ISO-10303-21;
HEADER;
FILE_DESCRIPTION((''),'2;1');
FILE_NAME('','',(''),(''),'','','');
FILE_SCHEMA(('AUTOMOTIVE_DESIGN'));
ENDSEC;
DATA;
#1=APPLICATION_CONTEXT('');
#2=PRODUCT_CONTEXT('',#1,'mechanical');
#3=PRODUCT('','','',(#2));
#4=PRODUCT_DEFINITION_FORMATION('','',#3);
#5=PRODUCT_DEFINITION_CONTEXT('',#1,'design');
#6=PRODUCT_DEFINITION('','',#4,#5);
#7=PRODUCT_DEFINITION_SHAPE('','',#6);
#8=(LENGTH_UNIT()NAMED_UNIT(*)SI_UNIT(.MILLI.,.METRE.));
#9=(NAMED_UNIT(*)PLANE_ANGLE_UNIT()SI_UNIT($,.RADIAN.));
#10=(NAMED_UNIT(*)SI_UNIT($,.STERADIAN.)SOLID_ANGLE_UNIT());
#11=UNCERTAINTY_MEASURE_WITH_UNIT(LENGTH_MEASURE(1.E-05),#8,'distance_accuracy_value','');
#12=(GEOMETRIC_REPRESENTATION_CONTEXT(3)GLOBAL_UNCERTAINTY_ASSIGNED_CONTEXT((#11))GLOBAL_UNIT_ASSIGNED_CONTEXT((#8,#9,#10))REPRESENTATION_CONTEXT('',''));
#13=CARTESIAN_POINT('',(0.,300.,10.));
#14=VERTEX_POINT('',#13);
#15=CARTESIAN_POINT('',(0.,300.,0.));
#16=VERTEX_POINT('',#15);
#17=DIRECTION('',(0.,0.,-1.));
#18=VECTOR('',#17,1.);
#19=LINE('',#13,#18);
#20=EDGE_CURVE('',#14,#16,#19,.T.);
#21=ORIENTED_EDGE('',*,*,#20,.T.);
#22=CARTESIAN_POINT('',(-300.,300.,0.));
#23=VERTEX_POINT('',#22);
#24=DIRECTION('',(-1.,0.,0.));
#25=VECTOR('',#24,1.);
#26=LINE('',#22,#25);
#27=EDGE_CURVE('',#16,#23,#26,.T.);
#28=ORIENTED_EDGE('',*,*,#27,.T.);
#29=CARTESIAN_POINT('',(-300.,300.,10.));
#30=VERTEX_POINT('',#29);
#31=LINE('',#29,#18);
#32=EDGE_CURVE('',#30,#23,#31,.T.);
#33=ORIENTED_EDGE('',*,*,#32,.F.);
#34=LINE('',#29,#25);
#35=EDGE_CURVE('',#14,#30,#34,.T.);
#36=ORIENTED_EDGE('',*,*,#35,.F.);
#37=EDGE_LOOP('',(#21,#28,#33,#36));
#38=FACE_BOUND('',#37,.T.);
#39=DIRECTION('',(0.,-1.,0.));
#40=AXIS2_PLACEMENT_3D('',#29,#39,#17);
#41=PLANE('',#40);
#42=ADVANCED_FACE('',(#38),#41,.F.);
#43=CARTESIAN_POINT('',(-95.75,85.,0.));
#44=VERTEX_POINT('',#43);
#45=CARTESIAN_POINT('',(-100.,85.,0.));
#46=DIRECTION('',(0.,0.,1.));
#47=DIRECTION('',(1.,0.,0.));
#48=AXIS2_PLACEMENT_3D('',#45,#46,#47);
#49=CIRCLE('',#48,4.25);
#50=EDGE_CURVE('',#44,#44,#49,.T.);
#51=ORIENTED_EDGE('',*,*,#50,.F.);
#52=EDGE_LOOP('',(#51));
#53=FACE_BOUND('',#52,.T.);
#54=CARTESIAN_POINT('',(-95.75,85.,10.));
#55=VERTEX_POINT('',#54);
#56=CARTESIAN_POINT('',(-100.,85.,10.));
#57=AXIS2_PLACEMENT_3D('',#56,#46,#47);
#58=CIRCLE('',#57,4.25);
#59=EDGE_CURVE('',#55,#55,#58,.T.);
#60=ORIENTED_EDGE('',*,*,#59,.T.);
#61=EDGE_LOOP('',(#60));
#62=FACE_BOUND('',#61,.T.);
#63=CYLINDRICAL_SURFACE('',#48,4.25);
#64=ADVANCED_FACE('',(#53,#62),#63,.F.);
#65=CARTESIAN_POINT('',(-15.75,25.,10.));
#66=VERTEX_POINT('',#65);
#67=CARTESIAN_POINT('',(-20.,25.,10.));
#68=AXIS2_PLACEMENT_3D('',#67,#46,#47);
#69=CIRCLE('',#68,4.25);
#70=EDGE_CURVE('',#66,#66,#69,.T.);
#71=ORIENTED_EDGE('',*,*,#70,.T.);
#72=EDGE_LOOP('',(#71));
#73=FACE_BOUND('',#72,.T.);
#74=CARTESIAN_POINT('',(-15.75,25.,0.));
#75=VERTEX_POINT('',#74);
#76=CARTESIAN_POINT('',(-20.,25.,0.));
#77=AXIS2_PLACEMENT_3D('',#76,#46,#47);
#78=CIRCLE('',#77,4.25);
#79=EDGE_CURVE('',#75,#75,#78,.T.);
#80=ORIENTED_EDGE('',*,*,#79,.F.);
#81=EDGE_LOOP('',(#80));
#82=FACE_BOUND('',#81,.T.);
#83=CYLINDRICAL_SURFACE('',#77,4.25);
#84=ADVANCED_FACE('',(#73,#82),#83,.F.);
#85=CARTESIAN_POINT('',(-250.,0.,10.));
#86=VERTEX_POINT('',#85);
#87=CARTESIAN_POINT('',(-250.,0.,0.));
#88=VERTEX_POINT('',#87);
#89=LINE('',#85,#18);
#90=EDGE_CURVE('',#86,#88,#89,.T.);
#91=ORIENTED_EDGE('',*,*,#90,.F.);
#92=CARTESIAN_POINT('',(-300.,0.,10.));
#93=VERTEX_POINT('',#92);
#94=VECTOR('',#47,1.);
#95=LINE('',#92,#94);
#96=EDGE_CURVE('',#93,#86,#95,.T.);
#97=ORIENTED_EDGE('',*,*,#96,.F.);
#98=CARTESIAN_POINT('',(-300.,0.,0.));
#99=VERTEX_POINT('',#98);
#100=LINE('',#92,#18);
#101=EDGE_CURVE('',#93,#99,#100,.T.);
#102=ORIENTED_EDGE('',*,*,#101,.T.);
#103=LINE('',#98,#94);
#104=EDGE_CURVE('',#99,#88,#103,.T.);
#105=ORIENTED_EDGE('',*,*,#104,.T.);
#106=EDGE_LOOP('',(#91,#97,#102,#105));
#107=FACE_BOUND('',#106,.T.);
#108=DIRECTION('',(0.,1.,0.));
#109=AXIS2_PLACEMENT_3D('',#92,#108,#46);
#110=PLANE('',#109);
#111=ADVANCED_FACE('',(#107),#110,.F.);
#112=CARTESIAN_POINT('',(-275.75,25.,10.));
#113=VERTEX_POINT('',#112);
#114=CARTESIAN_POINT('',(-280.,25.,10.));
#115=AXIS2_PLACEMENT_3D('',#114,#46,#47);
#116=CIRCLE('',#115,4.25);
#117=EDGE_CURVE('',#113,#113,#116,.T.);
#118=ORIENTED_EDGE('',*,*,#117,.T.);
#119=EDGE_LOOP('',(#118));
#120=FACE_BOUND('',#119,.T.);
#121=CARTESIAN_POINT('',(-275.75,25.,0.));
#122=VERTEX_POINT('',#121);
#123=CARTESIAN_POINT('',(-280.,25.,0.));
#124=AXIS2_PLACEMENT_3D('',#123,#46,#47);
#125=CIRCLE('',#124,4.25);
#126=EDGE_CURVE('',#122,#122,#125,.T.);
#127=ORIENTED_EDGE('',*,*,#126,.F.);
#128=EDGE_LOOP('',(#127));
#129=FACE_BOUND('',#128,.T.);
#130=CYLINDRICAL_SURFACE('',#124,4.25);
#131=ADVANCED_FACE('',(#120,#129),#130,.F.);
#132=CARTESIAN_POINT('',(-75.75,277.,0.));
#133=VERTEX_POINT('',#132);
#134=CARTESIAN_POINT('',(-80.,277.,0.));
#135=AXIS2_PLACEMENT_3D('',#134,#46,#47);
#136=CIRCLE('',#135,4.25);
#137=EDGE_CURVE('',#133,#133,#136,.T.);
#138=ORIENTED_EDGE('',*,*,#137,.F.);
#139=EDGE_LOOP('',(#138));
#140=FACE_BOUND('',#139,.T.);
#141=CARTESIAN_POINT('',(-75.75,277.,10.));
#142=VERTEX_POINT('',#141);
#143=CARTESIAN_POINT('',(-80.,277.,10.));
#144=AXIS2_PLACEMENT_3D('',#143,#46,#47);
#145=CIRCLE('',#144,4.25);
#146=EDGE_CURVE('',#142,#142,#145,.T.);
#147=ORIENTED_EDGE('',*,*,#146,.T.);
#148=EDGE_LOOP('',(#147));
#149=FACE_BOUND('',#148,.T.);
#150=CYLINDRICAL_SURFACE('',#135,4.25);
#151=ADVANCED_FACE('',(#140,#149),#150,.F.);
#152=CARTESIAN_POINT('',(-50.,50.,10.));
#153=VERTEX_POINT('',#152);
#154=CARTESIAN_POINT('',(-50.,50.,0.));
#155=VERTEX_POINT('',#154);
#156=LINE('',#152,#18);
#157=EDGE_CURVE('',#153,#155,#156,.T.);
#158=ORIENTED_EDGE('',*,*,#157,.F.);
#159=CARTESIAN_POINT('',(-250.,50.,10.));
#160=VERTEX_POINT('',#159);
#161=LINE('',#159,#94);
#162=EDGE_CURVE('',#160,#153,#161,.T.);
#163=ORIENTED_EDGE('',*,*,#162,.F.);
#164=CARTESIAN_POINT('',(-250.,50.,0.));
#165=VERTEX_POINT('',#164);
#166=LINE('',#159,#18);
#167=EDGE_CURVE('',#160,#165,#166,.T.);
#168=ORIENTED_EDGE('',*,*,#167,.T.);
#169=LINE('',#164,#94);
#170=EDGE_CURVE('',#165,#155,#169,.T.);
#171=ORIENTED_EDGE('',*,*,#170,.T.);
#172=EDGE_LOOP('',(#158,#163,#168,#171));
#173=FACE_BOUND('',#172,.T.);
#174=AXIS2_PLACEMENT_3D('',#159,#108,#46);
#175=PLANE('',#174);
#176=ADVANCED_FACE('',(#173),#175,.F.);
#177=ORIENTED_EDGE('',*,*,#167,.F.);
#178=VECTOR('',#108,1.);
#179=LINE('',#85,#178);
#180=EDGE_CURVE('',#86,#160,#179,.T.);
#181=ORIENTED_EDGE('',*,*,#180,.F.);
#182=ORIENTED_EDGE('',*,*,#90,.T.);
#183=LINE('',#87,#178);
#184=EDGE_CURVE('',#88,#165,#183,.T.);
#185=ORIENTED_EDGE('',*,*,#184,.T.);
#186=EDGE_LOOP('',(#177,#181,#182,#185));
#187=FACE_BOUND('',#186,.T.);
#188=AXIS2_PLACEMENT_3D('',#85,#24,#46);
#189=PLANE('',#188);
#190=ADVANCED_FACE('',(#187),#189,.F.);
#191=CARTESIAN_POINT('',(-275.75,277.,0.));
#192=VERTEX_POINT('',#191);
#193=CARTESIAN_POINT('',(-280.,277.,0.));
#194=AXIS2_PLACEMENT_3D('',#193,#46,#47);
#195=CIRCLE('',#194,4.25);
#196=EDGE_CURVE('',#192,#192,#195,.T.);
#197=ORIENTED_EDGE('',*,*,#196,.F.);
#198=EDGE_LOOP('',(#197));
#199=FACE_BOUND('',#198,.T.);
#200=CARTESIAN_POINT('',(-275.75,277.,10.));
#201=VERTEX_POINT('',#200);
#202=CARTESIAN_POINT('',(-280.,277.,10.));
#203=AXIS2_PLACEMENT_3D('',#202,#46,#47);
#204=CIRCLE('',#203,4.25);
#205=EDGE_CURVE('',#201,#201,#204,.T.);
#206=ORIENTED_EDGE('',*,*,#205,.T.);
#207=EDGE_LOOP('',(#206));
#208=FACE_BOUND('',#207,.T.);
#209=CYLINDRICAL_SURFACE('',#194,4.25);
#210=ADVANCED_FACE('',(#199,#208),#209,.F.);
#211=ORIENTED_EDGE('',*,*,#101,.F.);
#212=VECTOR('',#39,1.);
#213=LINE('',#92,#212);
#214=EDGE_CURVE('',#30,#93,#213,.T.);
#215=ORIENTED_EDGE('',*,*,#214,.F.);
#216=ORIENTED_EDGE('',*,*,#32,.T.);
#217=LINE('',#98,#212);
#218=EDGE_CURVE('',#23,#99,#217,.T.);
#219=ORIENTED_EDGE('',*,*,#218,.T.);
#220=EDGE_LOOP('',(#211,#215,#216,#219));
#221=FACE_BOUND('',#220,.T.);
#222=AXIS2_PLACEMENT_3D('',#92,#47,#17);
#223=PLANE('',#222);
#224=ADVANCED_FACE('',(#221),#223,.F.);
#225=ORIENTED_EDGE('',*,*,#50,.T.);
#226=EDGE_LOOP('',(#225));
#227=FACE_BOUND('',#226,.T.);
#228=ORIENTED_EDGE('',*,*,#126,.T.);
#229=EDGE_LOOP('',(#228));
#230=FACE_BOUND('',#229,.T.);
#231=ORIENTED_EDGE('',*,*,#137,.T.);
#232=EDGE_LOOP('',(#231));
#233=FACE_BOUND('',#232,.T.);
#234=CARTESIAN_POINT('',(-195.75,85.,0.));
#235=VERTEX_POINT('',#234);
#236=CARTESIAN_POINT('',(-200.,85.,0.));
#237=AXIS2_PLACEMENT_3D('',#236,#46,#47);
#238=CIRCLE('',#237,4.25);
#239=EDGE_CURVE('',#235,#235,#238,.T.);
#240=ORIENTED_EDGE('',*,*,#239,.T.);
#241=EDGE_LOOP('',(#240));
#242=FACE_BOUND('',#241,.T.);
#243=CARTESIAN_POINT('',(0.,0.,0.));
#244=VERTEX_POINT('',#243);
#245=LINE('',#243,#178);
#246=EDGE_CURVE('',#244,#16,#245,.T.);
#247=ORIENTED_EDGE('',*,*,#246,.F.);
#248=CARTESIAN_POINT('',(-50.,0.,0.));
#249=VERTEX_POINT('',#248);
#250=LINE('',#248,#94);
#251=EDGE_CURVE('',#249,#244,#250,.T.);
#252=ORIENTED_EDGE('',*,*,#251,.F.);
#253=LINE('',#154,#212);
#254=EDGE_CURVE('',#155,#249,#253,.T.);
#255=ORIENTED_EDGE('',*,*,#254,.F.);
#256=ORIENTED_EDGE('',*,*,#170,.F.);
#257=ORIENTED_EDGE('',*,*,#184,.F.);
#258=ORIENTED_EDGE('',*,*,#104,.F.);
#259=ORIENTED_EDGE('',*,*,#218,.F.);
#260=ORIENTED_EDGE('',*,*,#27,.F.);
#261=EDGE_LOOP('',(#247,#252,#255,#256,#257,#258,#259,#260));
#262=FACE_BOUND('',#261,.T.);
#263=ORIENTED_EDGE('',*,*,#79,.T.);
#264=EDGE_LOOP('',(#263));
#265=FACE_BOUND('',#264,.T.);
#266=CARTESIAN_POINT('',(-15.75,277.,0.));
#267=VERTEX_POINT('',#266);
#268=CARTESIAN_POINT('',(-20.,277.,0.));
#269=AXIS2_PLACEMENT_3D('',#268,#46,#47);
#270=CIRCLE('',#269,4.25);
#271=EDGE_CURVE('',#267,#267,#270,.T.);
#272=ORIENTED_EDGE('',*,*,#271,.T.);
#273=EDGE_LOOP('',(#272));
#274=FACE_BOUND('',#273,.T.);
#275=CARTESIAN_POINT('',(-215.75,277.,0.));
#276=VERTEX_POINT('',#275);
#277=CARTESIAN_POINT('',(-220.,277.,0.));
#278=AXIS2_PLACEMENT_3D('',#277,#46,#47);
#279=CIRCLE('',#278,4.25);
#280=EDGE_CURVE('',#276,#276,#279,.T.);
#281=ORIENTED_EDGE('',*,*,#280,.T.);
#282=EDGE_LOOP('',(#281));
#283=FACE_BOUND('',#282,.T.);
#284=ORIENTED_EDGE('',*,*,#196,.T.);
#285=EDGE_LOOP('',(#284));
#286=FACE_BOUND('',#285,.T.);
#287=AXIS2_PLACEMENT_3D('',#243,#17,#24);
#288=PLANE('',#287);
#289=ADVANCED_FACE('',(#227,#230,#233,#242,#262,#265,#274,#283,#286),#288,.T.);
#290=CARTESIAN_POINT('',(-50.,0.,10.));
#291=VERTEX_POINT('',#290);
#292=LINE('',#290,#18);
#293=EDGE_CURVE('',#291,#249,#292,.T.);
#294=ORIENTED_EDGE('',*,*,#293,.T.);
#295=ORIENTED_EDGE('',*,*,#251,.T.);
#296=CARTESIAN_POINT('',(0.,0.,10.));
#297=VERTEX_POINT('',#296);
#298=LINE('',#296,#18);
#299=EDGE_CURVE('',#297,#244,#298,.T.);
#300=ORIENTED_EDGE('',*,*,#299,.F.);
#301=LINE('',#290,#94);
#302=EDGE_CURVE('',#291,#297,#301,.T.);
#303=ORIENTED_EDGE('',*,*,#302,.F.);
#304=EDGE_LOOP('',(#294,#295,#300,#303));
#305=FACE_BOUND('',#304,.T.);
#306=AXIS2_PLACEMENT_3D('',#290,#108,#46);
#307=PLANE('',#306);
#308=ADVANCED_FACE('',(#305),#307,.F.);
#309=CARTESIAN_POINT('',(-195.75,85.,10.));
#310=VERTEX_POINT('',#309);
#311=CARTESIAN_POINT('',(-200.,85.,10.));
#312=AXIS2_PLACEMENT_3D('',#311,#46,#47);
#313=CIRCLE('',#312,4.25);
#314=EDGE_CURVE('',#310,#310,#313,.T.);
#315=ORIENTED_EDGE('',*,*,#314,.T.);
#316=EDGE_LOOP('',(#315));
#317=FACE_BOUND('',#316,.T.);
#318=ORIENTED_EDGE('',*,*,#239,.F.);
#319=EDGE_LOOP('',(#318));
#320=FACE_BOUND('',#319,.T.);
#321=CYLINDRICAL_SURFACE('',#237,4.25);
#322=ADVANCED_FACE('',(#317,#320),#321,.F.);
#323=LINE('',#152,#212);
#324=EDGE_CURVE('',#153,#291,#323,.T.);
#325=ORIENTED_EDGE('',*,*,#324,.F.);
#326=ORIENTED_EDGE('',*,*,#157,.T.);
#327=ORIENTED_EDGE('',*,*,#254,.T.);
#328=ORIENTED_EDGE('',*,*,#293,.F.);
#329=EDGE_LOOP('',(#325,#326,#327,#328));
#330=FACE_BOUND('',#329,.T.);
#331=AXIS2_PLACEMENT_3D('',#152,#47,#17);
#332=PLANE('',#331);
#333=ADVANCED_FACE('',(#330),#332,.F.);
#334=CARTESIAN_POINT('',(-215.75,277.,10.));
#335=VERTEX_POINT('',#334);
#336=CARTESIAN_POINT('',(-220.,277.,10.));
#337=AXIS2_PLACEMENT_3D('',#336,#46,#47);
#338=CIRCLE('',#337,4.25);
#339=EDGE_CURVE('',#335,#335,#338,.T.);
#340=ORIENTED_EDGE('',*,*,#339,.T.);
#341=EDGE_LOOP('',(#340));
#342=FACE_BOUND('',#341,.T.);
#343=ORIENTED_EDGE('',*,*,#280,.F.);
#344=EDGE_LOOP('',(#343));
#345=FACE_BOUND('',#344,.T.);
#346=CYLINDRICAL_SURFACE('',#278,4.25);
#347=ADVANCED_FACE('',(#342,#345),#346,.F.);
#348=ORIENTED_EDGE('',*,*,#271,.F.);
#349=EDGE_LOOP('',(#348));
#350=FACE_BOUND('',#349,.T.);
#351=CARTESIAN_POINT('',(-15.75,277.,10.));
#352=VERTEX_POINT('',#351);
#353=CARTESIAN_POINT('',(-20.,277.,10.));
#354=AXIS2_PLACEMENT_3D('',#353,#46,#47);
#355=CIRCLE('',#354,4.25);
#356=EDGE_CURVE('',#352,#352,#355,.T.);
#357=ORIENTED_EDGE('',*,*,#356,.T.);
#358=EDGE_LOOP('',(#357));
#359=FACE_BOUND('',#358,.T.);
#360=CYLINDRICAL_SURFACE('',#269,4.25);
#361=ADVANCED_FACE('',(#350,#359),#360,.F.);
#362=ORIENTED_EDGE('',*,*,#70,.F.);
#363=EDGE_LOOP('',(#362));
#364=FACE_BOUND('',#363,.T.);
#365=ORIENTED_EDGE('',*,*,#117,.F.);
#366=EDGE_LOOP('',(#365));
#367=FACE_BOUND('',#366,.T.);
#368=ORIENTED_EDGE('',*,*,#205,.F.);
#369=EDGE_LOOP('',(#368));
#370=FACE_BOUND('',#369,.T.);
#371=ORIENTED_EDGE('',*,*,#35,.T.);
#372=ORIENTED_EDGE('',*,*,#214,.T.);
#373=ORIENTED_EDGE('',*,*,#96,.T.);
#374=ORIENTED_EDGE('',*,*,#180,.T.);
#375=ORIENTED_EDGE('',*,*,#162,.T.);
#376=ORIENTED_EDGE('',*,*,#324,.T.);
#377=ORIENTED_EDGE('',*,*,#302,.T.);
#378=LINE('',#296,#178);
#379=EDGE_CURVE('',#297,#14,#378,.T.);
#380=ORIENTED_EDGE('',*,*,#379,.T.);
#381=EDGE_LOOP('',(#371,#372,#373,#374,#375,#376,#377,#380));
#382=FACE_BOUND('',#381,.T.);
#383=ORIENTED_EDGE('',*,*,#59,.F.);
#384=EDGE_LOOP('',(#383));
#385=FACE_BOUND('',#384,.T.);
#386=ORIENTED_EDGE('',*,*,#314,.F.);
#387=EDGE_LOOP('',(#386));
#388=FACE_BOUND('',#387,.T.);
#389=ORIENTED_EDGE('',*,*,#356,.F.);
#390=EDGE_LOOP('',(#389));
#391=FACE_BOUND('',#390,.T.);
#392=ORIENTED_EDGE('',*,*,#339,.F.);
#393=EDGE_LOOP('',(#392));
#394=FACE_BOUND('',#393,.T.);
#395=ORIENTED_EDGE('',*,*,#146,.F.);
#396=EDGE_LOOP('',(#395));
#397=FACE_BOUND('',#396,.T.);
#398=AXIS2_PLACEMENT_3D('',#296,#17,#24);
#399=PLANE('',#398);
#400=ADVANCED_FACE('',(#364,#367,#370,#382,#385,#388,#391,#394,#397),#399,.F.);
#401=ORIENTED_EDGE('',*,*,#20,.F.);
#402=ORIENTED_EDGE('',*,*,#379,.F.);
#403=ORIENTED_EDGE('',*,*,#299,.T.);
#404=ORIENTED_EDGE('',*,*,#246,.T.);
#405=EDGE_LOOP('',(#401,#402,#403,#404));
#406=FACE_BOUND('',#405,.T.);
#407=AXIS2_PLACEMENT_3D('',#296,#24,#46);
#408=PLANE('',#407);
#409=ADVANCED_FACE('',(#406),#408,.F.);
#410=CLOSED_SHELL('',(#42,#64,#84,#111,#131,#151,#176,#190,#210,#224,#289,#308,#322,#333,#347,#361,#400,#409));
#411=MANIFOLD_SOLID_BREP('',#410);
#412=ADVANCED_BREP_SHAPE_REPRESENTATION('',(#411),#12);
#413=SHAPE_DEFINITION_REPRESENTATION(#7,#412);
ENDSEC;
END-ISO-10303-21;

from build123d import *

# Parameters (mm, degrees)
SALIENTE_EXTRUIR1_DEPTH = 10
CROQUIS2_R              = 4.25
CORTAR_EXTRUIR1_DEPTH   = 11
CROQUIS3_R              = 4.25
CORTAR_EXTRUIR2_DEPTH   = 11


with BuildPart() as part:
    # Croquis1 → Saliente-Extruir1 (new body)
    with BuildSketch(Plane.XY):
        Polygon((-300, 0), (-250, 0), (-250, 50), (-50, 50), (-50, 0), (0, 0), (0, 300), (-300, 300), align=None)
    extrude(amount=SALIENTE_EXTRUIR1_DEPTH)

    # Croquis2 → Cortar-Extruir1 (cut, through all)
    with BuildSketch(Plane.XY.offset(10)):
        with Locations((-280, 25)):
            Circle(CROQUIS2_R)
        with Locations((-280, 277)):
            Circle(CROQUIS2_R)
        with Locations((-80, 277)):
            Circle(CROQUIS2_R)
        with Locations((-220, 277)):
            Circle(CROQUIS2_R)
        with Locations((-20, 277)):
            Circle(CROQUIS2_R)
        with Locations((-20, 25)):
            Circle(CROQUIS2_R)
        with Locations((120, 277)):
            Circle(CROQUIS2_R)
        with Locations((-420, 277)):
            Circle(CROQUIS2_R)
    extrude(amount=-CORTAR_EXTRUIR1_DEPTH, mode=Mode.SUBTRACT)

    # Croquis3 → Cortar-Extruir2 (cut, through all)
    with BuildSketch(Plane.XY.offset(10)):
        with Locations((-100, 85)):
            Circle(CROQUIS3_R)
        with Locations((-350, 85)):
            Circle(CROQUIS3_R)
        with Locations((-475, 85)):
            Circle(CROQUIS3_R)
        with Locations((50, 85)):
            Circle(CROQUIS3_R)
        with Locations((-200, 85)):
            Circle(CROQUIS3_R)
    extrude(amount=-CORTAR_EXTRUIR2_DEPTH, mode=Mode.SUBTRACT)


solid = part.part
